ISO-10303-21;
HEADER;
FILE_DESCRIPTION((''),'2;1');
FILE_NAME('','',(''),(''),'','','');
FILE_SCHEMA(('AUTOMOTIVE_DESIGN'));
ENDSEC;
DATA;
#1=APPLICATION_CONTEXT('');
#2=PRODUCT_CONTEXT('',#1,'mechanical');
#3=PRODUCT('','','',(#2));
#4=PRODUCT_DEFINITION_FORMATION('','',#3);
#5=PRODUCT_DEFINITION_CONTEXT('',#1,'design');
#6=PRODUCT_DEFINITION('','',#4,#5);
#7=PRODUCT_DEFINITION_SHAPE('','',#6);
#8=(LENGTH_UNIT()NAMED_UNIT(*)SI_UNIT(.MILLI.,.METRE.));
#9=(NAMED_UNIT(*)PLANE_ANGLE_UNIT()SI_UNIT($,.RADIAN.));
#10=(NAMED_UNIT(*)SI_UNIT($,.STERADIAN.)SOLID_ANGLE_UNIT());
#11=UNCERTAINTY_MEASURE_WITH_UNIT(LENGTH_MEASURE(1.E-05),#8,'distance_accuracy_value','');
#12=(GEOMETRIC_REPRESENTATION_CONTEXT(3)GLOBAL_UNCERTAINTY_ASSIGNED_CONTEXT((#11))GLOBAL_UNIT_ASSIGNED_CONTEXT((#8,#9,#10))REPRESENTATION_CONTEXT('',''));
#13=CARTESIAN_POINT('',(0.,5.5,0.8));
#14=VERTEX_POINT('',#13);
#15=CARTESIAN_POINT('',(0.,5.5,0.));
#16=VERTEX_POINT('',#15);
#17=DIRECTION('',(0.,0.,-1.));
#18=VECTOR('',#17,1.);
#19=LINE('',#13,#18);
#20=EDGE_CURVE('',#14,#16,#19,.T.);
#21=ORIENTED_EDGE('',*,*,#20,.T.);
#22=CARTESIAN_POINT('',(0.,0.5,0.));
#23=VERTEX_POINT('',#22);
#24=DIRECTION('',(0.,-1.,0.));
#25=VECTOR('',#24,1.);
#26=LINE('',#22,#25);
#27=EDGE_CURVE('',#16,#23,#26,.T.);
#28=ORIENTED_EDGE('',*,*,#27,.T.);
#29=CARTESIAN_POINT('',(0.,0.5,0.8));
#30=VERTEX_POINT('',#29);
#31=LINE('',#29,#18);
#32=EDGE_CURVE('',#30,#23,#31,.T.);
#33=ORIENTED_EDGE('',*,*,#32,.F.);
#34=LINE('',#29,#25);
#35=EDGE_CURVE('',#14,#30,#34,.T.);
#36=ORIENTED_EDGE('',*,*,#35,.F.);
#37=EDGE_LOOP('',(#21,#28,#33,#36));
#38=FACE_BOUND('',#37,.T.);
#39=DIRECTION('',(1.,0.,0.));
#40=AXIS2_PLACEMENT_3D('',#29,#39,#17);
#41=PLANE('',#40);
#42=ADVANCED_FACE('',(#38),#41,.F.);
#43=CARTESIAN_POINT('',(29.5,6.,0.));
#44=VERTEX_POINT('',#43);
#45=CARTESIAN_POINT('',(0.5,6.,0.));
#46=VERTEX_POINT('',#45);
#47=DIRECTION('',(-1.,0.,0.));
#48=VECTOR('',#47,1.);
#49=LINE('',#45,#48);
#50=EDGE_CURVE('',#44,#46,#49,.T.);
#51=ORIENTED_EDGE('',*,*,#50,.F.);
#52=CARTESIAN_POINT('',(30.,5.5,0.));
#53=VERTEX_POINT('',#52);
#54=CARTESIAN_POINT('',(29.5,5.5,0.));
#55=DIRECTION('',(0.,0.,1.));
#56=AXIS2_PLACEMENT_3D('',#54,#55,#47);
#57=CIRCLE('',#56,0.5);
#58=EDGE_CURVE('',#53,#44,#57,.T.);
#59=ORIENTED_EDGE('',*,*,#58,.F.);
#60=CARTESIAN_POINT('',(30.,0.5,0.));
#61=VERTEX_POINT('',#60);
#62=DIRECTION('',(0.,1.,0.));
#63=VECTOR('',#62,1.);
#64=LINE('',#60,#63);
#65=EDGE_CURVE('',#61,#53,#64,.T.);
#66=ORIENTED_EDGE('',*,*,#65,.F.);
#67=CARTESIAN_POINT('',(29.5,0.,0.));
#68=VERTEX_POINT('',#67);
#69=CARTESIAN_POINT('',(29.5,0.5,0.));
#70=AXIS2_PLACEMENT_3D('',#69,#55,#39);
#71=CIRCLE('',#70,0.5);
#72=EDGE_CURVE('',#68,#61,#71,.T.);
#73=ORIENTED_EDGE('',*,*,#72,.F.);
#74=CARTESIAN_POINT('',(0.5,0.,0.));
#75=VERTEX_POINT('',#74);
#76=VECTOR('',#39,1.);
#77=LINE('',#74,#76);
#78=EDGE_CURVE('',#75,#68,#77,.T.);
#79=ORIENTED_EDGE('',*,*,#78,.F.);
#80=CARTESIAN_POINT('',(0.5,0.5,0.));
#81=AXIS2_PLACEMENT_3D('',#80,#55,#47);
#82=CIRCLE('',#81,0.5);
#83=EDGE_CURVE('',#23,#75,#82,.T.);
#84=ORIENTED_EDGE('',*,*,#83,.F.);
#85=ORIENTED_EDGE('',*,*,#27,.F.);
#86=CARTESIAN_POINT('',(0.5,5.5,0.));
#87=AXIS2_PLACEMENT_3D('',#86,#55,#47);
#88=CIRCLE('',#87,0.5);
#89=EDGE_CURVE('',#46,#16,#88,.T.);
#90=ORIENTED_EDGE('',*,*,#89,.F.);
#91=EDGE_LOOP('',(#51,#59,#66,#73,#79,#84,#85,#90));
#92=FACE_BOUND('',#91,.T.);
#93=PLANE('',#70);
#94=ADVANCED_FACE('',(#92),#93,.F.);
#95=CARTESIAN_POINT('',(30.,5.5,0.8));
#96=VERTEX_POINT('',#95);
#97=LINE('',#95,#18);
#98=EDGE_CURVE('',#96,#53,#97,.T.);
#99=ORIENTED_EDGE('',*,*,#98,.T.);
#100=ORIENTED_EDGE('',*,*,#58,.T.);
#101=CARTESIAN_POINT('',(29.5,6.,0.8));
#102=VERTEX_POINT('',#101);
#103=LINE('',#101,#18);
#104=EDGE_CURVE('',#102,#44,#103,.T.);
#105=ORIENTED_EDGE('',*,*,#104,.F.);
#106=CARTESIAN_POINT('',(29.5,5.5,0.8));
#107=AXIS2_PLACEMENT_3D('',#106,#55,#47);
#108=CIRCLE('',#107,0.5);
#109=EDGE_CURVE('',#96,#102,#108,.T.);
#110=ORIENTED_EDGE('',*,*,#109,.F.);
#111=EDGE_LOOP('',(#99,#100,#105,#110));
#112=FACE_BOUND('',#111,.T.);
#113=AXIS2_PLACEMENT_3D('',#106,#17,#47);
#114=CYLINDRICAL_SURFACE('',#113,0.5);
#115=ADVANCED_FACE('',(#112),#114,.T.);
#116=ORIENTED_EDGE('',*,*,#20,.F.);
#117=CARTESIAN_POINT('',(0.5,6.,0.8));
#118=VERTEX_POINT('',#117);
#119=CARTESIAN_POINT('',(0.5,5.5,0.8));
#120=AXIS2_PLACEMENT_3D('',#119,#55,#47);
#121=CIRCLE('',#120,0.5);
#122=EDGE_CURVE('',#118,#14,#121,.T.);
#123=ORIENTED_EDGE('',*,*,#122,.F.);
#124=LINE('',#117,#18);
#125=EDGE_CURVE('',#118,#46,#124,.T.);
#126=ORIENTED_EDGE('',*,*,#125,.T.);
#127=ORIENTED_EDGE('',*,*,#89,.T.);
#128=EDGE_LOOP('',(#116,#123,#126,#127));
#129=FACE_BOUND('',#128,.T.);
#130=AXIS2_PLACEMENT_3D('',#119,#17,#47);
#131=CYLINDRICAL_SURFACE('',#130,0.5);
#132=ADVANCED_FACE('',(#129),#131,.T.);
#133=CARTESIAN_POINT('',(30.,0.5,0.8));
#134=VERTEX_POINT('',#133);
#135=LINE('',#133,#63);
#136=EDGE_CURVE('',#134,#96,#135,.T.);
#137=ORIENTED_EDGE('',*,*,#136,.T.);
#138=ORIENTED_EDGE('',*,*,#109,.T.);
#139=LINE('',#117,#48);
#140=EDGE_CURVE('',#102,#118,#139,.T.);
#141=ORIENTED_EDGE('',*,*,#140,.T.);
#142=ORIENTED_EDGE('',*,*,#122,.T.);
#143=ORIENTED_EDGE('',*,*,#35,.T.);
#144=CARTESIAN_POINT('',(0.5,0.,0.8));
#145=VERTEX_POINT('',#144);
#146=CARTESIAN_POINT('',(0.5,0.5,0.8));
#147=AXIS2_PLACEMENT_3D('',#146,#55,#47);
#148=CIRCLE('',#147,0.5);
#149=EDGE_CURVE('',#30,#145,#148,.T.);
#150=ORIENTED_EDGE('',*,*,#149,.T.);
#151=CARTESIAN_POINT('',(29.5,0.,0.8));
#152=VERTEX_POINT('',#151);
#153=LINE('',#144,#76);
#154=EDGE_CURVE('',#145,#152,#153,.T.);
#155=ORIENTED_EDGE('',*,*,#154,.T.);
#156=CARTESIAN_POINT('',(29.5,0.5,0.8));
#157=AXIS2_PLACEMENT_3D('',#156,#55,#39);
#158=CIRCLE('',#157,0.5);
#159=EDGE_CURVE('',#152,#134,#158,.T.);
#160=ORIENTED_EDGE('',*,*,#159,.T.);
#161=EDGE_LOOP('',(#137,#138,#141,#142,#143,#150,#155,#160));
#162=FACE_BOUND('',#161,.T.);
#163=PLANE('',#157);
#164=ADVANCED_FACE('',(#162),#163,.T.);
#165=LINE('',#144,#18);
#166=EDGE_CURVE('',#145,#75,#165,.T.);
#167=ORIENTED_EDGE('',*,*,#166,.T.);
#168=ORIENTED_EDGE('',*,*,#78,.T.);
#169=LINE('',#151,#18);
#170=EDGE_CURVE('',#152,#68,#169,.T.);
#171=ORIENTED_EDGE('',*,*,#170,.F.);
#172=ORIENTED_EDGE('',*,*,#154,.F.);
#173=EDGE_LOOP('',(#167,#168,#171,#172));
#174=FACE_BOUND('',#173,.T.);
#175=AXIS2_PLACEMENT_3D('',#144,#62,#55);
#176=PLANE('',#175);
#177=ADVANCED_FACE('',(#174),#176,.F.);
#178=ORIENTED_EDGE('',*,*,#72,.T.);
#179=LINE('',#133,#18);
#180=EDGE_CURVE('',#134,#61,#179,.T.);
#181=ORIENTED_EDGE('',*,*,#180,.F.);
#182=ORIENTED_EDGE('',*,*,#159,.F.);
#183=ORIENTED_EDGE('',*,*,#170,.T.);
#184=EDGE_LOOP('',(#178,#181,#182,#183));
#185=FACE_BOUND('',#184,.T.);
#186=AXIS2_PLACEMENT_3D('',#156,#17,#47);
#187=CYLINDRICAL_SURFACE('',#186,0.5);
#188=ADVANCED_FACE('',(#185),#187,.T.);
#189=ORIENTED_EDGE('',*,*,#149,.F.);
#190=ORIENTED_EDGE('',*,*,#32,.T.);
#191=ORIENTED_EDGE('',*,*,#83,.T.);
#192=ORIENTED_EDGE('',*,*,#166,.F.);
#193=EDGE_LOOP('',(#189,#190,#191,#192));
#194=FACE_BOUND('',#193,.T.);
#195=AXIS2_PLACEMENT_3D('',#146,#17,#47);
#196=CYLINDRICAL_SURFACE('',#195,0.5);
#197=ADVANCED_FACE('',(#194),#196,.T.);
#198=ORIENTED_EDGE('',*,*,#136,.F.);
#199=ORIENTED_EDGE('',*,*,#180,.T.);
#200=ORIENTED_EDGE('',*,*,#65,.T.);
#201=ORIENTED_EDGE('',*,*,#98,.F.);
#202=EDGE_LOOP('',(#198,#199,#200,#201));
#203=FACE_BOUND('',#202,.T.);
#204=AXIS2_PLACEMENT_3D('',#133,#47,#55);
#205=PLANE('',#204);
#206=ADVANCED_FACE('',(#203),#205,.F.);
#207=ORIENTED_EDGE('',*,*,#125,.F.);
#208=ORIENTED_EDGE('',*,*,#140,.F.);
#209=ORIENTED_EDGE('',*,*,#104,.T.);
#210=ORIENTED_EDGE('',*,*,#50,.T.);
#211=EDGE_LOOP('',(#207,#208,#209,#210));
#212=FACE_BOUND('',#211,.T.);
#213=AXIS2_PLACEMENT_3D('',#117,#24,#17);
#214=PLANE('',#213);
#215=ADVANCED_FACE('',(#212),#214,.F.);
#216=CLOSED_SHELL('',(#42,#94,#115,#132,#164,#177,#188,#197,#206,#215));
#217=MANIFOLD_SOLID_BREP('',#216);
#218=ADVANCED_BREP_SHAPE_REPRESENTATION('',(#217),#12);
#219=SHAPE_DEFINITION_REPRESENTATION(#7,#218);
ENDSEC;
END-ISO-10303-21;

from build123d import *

# Parameters (mm, degrees)
BOSS_EXTRUDE2_DEPTH = 0.8


with BuildPart() as part:
    # Sketch2 → Boss-Extrude2 (new body)
    with BuildSketch(Plane.XY):
        with BuildLine():
            Line((0.5, 0), (29.5, 0))
            ThreePointArc((29.5, 0), (29.853553391, 0.146446609), (30, 0.5))
            Line((30, 0.5), (30, 5.5))
            ThreePointArc((30, 5.5), (29.853553391, 5.853553391), (29.5, 6))
            Line((29.5, 6), (0.5, 6))
            ThreePointArc((0.5, 6), (0.146446609, 5.853553391), (0, 5.5))
            Line((0, 5.5), (0, 0.5))
            ThreePointArc((0, 0.5), (0.146446609, 0.146446609), (0.5, 0))
        make_face()
    extrude(amount=BOSS_EXTRUDE2_DEPTH)


solid = part.part
